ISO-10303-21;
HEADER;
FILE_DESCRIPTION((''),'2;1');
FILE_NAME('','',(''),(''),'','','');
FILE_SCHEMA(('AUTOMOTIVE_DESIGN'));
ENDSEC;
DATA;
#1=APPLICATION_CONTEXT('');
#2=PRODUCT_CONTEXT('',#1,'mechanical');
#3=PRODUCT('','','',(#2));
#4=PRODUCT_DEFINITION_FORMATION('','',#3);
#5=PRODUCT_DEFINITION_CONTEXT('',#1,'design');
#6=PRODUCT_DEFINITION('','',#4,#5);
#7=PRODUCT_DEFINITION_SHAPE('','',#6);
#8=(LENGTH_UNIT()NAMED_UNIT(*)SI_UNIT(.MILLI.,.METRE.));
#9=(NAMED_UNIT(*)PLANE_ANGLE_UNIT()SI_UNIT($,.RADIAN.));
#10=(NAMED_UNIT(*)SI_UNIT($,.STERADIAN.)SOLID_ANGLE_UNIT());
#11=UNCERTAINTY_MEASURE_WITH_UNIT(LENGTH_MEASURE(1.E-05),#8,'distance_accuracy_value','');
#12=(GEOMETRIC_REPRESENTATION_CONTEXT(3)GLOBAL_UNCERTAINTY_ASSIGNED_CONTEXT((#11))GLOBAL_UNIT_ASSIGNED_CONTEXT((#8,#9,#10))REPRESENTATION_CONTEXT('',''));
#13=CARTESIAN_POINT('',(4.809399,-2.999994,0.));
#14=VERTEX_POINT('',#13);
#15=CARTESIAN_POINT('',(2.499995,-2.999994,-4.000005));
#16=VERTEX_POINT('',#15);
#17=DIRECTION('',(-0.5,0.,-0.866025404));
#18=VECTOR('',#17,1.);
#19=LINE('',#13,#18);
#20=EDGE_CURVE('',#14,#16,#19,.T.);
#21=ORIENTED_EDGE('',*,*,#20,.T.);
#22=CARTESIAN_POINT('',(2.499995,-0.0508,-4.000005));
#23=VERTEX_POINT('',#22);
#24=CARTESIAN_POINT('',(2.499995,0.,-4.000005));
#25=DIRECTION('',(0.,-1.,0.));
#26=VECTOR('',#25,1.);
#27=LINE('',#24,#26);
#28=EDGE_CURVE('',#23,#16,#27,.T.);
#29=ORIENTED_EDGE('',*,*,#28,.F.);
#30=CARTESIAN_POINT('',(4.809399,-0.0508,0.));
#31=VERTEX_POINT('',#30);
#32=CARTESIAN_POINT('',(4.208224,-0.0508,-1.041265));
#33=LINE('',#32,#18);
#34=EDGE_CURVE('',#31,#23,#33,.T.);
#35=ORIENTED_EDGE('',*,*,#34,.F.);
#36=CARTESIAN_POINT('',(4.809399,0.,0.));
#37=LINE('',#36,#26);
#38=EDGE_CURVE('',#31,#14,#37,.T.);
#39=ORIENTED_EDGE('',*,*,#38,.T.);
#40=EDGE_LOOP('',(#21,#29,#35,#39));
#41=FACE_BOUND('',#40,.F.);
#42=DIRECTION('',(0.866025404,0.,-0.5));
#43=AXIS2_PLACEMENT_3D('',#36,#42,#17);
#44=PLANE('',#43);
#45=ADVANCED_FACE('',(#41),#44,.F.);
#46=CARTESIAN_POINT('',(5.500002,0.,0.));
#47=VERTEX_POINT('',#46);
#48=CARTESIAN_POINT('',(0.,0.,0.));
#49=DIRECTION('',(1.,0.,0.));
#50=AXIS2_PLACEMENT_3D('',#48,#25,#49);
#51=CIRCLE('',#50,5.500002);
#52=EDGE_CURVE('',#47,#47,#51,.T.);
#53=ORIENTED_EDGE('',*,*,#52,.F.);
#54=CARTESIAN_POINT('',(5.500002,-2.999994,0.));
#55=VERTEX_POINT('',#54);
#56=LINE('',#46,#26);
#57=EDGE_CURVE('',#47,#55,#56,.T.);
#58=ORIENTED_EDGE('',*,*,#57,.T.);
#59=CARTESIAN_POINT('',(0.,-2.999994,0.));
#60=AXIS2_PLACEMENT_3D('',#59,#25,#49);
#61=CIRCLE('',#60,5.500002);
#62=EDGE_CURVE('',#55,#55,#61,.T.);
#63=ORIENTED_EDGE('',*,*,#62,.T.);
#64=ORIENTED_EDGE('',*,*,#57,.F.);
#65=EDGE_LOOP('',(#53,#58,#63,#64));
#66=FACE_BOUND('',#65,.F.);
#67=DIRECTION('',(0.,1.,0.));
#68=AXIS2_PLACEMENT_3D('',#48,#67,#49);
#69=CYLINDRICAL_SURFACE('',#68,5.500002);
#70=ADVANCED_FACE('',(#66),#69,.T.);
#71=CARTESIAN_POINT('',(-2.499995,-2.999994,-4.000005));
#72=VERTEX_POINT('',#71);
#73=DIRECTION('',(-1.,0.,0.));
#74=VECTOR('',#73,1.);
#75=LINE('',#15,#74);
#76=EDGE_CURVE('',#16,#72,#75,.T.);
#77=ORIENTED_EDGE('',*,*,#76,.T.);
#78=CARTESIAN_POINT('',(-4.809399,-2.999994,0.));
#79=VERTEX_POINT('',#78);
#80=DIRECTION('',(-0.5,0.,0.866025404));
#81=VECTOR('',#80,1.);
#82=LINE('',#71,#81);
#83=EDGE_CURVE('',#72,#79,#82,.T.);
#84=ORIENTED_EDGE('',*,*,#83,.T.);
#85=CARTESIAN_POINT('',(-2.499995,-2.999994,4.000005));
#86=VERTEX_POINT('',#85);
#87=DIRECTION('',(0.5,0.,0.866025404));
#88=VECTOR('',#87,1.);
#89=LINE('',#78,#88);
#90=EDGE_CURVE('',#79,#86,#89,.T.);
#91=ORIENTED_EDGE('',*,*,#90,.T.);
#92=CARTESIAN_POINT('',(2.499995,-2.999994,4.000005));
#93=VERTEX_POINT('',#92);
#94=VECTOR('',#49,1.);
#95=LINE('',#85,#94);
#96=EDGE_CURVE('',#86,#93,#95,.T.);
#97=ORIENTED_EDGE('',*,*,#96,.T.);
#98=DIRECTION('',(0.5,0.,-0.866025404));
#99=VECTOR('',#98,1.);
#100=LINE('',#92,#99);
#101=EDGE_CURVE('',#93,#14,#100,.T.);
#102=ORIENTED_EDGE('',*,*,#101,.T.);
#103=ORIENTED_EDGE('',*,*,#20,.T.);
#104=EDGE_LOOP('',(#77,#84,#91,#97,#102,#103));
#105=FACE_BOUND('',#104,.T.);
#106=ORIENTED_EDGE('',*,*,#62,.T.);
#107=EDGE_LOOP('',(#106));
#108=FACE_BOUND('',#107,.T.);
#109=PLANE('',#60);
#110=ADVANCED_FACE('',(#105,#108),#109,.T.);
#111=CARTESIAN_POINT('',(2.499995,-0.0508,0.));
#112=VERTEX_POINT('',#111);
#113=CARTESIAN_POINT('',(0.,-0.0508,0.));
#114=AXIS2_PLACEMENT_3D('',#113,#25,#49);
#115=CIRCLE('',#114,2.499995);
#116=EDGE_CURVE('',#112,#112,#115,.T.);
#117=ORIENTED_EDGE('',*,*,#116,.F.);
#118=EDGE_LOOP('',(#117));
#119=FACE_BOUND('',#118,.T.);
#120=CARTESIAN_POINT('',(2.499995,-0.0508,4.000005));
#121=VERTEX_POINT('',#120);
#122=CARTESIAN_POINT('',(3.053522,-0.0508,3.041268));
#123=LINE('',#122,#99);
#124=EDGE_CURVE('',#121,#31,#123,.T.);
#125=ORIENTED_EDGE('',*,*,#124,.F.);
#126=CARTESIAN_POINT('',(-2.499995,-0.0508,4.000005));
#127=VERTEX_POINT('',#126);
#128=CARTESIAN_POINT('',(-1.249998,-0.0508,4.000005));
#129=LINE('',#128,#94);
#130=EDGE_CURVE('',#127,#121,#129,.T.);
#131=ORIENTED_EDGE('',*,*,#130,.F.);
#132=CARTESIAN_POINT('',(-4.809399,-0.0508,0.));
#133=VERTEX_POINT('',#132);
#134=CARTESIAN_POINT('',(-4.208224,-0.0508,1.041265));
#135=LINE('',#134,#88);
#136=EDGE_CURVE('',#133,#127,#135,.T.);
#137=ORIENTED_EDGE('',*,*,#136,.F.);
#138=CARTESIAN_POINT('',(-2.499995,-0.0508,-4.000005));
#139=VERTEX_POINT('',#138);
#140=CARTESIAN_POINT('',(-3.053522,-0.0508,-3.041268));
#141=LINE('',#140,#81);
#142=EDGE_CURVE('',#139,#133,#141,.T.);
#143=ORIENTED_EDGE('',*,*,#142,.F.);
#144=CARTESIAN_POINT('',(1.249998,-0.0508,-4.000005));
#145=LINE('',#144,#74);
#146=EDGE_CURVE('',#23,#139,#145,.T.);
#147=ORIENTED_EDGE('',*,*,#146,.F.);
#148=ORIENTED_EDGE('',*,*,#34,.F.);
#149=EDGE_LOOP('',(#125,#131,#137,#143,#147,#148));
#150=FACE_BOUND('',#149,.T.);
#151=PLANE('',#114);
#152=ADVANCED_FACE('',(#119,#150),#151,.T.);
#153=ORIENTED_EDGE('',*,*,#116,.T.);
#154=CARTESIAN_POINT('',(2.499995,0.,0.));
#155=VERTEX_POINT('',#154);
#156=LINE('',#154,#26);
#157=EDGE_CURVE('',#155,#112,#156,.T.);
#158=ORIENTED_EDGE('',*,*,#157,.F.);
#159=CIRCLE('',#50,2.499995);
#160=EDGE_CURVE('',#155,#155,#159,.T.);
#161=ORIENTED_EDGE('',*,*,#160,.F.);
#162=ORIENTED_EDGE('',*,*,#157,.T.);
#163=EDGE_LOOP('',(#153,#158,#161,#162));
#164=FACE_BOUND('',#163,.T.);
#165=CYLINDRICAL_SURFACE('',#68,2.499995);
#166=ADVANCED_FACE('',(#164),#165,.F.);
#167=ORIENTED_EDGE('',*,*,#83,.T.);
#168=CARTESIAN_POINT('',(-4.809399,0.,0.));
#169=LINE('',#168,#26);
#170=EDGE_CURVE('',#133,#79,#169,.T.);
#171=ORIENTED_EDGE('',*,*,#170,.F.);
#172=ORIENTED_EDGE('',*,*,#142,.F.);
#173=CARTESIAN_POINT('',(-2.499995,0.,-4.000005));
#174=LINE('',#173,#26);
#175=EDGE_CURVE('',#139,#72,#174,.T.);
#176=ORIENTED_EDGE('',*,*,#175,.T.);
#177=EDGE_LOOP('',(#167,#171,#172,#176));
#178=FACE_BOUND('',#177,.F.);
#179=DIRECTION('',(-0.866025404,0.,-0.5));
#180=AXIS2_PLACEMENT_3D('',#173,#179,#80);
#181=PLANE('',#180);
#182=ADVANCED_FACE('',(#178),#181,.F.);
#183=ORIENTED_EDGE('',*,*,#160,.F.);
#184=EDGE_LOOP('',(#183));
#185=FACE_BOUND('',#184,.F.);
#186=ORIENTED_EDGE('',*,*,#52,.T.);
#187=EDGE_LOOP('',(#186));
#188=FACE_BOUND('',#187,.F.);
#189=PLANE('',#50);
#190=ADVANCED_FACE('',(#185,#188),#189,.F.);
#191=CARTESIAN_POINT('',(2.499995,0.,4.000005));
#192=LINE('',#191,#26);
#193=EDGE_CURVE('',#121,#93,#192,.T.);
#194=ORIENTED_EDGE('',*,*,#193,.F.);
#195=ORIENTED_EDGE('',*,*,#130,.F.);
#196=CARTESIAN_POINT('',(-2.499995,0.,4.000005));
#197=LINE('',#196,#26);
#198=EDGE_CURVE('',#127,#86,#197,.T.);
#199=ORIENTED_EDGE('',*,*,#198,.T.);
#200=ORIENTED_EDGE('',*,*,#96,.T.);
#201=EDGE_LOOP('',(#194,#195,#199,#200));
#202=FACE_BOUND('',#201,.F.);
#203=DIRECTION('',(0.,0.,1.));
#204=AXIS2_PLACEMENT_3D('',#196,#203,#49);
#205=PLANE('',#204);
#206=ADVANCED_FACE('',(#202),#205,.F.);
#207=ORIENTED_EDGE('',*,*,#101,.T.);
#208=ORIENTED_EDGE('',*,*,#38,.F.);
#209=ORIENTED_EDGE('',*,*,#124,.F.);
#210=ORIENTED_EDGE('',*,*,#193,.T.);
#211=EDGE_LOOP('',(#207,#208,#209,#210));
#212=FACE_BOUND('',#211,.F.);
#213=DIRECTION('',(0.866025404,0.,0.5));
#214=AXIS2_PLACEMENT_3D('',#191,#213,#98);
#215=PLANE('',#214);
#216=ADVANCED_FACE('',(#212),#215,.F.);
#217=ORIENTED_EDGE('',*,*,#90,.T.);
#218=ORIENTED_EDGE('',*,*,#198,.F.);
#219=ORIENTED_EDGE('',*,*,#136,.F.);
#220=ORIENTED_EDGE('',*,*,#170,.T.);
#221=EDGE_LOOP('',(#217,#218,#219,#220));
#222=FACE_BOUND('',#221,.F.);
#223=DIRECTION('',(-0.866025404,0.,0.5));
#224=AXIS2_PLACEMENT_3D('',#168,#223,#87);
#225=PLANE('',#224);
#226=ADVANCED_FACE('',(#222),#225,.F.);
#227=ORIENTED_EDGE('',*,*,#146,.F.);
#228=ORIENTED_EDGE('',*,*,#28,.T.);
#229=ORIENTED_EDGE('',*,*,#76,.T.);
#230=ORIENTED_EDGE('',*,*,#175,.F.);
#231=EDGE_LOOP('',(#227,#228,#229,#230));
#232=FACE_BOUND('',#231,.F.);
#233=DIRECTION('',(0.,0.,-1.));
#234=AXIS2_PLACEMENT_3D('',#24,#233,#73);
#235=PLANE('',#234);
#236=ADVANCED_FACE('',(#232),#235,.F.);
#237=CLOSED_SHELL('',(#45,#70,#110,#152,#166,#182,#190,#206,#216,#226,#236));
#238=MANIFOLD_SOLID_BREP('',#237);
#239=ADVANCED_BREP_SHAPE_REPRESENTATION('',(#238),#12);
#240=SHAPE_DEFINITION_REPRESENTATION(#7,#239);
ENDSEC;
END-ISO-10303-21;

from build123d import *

# Parameters (mm, degrees)
F0_R     = 5.5000017
F1_DEPTH = 2.999994
F2_R     = 2.499995
F2_W     = 0.7533299053
F2_H     = 0.7162170781
F2_W_2   = 0.5293672881
F2_H_2   = 0.5760601295
F2_W_3   = 0.6473100061
F2_H_3   = 0.7012212299
F2_W_4   = 0.3967036741
F2_H_4   = 0.5668902525
F2_W_5   = 0.5837015153
F2_H_5   = 1.7340490769
F2_W_6   = 0.5672975831
F2_H_6   = 1.9103930295
F3_DEPTH = 0.0508


with BuildPart() as f1:
    # F0 (on Front) → F1 (new body)
    with BuildSketch(Plane.XZ):
        Circle(F0_R)
        Polygon((2.499995, -4.0000047), (-2.499995, -4.0000047), (-4.8093987903, 0), (-2.499995, 4.0000047), (2.499995, 4.0000047), (4.8093987903, 0), align=None, mode=Mode.SUBTRACT)
    extrude(amount=F1_DEPTH)

    # F2 (on Front) → F3 (join)
    with BuildSketch(Plane.XZ):
        Polygon((-3.3830750486, -2.5726628955), (-3.3830750486, -4.0979331759), (3.3830750486, -4.0979331759), (3.3830750486, -2.7493634261), (3.3830750486, -2.1733032967), (3.3830750486, 2.3381632997), (3.3830750486, 2.9050535522), (3.3830750486, 4.0979331759), (-3.3830750486, 4.0979331759), (-3.3830750486, 2.7106830385), (-3.3830750486, 2.0094618085), (-3.3830750486, -1.8564458175), align=None)
        Circle(F2_R, mode=Mode.SUBTRACT)
        with Locations((-3.7597400012, -2.2145543565)):
            Rectangle(F2_W, F2_H)
        with Locations((3.6477586926, -2.4613333614)):
            Rectangle(F2_W_2, F2_H_2)
        Polygon((-4.1364049539, -1.8564458175), (-3.3830750486, -1.8564458175), (-3.3830750486, 2.0094618085), (-4.0303850546, 2.0094618085), (-4.5122085367, 2.0094618085), (-4.5122085367, 0.8686301033), (-4.5122085367, -0.8654189736), (-4.5122085367, -1.8564458175), align=None)
        Polygon((3.3830750486, 2.3381632997), (3.3830750486, -2.1733032967), (3.9124423367, -2.1733032967), (4.4418096248, -2.1733032967), (4.4418096248, -0.8654189736), (4.4418096248, 1.0449740559), (4.4418096248, 2.3381632997), (3.7797787227, 2.3381632997), align=None)
        with Locations((-3.7067300516, 2.3600724235)):
            Rectangle(F2_W_3, F2_H_3)
        with Locations((3.5814268856, 2.621608426)):
            Rectangle(F2_W_4, F2_H_4)
        with Locations((-4.8040592943, 0.0016055649)):
            Rectangle(F2_W_5, F2_H_5)
        with Locations((4.7254584164, 0.0897775412)):
            Rectangle(F2_W_6, F2_H_6)
    extrude(amount=F3_DEPTH)


solid = f1.part
